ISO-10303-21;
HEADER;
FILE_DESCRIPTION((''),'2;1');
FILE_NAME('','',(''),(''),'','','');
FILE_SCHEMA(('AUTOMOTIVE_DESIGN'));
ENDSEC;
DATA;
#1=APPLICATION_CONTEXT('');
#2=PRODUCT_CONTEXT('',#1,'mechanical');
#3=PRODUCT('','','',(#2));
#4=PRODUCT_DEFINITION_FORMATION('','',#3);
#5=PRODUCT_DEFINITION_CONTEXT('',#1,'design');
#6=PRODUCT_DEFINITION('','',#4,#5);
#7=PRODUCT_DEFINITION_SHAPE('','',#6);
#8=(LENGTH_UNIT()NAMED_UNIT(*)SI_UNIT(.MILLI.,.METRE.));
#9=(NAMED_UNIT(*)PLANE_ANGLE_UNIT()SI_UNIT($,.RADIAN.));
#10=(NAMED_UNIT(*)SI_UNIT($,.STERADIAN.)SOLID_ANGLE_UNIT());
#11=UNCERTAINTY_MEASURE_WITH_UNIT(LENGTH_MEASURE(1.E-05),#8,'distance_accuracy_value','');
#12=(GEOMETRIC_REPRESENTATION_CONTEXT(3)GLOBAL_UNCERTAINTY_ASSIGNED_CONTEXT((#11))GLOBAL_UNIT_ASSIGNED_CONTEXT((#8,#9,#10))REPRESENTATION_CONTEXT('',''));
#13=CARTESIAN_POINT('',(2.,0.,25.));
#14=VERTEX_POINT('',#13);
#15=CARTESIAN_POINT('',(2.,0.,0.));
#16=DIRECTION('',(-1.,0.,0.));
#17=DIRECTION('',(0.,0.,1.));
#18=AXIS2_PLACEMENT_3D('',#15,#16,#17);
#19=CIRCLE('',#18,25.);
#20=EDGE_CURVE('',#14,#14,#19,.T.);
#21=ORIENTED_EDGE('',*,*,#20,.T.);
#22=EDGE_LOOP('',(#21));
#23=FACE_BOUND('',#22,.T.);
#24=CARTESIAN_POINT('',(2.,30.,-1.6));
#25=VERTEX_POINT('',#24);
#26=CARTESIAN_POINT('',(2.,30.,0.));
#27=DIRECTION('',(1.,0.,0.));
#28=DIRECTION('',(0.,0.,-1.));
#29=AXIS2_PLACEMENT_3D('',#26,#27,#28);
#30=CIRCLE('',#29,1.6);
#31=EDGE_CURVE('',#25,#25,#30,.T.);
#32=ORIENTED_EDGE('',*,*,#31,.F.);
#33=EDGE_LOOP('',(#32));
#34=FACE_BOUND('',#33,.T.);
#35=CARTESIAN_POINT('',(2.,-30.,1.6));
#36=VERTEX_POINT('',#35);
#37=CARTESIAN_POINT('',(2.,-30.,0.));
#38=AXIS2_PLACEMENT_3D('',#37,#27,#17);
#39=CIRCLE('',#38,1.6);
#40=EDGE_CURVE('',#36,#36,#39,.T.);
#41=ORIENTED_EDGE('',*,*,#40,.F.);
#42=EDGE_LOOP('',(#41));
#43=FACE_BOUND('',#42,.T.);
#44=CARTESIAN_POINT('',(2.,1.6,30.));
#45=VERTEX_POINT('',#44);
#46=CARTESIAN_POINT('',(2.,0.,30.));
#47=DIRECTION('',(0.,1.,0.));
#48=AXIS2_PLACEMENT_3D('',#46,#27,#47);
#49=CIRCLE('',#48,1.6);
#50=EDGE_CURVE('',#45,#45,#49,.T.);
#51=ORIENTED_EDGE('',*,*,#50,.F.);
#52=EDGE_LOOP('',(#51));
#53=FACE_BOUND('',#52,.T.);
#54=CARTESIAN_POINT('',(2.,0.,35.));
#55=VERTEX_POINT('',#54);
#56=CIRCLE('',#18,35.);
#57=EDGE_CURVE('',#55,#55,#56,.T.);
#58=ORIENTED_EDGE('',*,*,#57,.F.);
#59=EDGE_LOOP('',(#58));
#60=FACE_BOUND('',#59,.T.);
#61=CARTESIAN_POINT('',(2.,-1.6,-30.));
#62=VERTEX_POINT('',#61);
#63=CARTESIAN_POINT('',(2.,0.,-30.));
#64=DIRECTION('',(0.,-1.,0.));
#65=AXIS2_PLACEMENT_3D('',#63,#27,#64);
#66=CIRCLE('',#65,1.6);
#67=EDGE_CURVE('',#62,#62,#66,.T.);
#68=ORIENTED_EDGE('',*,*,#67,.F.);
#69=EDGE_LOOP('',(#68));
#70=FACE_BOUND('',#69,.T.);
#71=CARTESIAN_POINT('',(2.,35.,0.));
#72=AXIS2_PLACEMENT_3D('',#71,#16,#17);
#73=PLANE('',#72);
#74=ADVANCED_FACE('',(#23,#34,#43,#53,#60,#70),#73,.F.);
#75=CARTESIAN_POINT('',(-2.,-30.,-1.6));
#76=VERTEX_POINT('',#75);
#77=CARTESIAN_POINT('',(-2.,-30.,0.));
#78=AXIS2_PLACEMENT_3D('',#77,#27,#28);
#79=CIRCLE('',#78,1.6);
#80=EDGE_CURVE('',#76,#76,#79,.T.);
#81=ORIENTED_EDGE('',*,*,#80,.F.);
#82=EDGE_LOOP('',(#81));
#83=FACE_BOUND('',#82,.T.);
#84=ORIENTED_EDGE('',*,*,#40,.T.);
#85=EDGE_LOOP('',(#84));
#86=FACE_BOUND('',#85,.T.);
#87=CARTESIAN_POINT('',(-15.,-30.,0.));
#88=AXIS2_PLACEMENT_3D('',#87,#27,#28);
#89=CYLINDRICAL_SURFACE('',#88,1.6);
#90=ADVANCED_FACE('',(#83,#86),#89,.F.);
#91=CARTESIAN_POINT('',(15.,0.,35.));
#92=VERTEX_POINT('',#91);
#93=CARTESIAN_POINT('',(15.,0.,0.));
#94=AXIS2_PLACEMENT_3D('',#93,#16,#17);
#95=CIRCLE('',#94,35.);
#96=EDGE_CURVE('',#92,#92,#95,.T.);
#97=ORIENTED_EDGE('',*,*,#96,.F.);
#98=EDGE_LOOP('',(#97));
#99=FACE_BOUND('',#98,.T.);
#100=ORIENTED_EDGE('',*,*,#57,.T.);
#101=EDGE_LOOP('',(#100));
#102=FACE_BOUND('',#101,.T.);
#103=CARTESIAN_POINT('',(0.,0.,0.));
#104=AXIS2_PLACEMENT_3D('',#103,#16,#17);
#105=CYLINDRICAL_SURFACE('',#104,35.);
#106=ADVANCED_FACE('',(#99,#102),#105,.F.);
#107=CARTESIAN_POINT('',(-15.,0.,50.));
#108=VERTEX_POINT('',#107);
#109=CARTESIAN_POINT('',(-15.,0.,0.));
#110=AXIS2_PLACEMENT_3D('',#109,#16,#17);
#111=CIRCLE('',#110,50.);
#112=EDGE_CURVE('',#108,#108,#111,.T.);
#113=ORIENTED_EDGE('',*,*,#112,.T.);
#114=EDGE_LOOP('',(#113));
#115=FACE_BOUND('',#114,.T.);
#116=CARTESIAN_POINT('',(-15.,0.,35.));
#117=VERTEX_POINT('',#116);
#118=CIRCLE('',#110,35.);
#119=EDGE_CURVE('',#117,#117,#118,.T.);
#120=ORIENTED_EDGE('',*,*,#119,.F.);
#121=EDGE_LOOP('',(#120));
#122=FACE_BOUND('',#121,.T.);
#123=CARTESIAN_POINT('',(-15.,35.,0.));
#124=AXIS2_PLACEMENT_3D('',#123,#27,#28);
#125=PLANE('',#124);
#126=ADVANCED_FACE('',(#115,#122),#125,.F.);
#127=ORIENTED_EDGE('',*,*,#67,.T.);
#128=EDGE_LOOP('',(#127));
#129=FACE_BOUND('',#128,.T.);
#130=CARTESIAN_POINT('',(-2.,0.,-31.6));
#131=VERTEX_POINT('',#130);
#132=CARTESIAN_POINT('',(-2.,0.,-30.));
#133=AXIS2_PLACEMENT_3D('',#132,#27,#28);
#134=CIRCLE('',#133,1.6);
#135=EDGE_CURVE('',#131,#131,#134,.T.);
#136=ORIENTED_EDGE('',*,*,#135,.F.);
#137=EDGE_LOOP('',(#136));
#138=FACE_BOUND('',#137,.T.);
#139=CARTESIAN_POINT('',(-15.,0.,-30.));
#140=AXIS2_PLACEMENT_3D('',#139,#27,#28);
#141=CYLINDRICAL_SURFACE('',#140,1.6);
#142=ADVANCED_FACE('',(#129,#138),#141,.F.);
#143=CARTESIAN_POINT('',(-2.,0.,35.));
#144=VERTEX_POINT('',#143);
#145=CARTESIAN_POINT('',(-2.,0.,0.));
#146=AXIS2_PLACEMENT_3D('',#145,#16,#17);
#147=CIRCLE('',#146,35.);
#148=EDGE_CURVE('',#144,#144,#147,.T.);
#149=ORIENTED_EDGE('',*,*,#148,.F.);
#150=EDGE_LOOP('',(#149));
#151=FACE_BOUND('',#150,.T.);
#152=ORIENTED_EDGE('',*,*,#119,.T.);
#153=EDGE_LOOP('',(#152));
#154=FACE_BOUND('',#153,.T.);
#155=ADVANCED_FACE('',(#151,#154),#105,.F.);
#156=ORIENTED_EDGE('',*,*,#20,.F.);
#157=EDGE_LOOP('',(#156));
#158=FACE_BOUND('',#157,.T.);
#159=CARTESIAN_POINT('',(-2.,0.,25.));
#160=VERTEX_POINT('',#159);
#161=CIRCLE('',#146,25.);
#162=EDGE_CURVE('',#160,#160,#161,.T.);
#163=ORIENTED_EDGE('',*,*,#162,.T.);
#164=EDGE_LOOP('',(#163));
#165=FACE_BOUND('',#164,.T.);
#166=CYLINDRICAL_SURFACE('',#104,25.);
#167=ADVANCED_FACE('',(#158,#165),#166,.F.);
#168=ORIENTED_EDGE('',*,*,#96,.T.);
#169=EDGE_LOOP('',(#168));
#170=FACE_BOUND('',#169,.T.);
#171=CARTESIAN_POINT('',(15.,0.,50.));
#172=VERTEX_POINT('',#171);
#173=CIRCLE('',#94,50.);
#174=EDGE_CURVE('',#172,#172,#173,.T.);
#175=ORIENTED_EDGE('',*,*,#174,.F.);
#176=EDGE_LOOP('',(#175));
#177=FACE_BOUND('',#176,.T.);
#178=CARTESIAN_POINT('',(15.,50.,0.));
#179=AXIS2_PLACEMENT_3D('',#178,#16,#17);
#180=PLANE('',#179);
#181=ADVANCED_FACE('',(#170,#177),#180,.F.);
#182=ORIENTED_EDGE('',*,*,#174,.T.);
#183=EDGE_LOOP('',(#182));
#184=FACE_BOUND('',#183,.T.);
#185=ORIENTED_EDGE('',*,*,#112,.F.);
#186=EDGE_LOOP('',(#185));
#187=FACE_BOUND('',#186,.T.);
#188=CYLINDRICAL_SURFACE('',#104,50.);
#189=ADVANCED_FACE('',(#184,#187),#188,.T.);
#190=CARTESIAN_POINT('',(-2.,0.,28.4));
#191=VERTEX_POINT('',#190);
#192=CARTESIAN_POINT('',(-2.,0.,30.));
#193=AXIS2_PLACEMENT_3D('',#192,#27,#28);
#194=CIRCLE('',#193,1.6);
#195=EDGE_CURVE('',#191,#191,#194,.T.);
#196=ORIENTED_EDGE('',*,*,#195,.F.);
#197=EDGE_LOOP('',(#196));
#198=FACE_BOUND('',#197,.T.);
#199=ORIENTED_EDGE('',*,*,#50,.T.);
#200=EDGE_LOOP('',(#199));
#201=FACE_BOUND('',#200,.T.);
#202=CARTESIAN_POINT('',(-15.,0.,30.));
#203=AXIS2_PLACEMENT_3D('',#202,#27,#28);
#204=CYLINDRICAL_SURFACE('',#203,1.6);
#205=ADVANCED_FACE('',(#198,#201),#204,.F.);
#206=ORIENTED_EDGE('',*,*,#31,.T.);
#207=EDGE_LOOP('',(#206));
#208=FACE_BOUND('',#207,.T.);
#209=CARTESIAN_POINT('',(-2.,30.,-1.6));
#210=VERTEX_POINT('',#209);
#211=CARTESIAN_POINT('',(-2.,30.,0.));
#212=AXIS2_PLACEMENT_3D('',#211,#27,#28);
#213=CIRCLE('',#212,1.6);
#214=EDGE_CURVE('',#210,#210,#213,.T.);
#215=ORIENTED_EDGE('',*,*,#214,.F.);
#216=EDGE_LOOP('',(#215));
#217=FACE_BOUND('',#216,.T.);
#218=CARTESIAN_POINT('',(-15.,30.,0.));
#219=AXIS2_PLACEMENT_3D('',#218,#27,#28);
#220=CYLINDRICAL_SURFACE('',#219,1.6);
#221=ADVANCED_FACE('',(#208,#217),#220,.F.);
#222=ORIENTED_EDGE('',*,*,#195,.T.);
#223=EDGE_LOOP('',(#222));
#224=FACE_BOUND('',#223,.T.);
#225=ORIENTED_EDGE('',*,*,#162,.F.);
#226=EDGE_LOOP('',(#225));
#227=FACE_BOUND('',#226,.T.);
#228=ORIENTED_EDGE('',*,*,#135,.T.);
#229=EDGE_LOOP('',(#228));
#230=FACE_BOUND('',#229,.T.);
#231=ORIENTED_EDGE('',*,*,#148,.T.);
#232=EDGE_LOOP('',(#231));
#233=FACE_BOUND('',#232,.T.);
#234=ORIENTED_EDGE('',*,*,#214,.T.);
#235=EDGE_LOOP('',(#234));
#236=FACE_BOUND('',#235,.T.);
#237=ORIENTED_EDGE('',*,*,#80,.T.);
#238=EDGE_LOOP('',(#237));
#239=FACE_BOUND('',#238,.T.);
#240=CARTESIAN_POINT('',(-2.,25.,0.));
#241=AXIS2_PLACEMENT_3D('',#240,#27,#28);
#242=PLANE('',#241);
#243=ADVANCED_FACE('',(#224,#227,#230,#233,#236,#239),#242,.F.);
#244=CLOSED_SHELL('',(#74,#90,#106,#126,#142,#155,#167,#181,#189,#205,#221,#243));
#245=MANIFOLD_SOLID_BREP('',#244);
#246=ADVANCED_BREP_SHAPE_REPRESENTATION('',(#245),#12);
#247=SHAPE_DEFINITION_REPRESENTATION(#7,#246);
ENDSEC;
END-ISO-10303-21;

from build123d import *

# Parameters (mm, degrees)
SKETCH3_R          = 1.6
CUT_EXTRUDE1_DEPTH = 18
CIRPATTERN1_COUNT  = 4


with BuildPart() as part:
    # Sketch2 → Revolve1 (revolve)
    with BuildSketch(Plane.XY):
        Polygon((15, 50), (-15, 50), (-15, 35), (-2, 35), (-2, 25), (2, 25), (2, 35), (15, 35), align=None)
    revolve(axis=Axis((0, 0, 0), (1, 0, 0)))

    # Sketch3 → Cut-Extrude1 (cut, through all)
    with BuildSketch(Plane(origin=(2, 0, 0), x_dir=(0, 0, -1), z_dir=(1, 0, 0))):
        with Locations((0, 30)):
            Circle(SKETCH3_R)
    cut_extrude1 = extrude(amount=-CUT_EXTRUDE1_DEPTH, mode=Mode.SUBTRACT)

    # CirPattern1: Cut-Extrude1 ×4 about axis
    cirpattern1_axis = Axis((0, 0, 0), (1, 0, 0))
    for i in range(1, CIRPATTERN1_COUNT):
        add(cut_extrude1.rotate(cirpattern1_axis, i * 360 / CIRPATTERN1_COUNT), mode=Mode.SUBTRACT)


solid = part.part
